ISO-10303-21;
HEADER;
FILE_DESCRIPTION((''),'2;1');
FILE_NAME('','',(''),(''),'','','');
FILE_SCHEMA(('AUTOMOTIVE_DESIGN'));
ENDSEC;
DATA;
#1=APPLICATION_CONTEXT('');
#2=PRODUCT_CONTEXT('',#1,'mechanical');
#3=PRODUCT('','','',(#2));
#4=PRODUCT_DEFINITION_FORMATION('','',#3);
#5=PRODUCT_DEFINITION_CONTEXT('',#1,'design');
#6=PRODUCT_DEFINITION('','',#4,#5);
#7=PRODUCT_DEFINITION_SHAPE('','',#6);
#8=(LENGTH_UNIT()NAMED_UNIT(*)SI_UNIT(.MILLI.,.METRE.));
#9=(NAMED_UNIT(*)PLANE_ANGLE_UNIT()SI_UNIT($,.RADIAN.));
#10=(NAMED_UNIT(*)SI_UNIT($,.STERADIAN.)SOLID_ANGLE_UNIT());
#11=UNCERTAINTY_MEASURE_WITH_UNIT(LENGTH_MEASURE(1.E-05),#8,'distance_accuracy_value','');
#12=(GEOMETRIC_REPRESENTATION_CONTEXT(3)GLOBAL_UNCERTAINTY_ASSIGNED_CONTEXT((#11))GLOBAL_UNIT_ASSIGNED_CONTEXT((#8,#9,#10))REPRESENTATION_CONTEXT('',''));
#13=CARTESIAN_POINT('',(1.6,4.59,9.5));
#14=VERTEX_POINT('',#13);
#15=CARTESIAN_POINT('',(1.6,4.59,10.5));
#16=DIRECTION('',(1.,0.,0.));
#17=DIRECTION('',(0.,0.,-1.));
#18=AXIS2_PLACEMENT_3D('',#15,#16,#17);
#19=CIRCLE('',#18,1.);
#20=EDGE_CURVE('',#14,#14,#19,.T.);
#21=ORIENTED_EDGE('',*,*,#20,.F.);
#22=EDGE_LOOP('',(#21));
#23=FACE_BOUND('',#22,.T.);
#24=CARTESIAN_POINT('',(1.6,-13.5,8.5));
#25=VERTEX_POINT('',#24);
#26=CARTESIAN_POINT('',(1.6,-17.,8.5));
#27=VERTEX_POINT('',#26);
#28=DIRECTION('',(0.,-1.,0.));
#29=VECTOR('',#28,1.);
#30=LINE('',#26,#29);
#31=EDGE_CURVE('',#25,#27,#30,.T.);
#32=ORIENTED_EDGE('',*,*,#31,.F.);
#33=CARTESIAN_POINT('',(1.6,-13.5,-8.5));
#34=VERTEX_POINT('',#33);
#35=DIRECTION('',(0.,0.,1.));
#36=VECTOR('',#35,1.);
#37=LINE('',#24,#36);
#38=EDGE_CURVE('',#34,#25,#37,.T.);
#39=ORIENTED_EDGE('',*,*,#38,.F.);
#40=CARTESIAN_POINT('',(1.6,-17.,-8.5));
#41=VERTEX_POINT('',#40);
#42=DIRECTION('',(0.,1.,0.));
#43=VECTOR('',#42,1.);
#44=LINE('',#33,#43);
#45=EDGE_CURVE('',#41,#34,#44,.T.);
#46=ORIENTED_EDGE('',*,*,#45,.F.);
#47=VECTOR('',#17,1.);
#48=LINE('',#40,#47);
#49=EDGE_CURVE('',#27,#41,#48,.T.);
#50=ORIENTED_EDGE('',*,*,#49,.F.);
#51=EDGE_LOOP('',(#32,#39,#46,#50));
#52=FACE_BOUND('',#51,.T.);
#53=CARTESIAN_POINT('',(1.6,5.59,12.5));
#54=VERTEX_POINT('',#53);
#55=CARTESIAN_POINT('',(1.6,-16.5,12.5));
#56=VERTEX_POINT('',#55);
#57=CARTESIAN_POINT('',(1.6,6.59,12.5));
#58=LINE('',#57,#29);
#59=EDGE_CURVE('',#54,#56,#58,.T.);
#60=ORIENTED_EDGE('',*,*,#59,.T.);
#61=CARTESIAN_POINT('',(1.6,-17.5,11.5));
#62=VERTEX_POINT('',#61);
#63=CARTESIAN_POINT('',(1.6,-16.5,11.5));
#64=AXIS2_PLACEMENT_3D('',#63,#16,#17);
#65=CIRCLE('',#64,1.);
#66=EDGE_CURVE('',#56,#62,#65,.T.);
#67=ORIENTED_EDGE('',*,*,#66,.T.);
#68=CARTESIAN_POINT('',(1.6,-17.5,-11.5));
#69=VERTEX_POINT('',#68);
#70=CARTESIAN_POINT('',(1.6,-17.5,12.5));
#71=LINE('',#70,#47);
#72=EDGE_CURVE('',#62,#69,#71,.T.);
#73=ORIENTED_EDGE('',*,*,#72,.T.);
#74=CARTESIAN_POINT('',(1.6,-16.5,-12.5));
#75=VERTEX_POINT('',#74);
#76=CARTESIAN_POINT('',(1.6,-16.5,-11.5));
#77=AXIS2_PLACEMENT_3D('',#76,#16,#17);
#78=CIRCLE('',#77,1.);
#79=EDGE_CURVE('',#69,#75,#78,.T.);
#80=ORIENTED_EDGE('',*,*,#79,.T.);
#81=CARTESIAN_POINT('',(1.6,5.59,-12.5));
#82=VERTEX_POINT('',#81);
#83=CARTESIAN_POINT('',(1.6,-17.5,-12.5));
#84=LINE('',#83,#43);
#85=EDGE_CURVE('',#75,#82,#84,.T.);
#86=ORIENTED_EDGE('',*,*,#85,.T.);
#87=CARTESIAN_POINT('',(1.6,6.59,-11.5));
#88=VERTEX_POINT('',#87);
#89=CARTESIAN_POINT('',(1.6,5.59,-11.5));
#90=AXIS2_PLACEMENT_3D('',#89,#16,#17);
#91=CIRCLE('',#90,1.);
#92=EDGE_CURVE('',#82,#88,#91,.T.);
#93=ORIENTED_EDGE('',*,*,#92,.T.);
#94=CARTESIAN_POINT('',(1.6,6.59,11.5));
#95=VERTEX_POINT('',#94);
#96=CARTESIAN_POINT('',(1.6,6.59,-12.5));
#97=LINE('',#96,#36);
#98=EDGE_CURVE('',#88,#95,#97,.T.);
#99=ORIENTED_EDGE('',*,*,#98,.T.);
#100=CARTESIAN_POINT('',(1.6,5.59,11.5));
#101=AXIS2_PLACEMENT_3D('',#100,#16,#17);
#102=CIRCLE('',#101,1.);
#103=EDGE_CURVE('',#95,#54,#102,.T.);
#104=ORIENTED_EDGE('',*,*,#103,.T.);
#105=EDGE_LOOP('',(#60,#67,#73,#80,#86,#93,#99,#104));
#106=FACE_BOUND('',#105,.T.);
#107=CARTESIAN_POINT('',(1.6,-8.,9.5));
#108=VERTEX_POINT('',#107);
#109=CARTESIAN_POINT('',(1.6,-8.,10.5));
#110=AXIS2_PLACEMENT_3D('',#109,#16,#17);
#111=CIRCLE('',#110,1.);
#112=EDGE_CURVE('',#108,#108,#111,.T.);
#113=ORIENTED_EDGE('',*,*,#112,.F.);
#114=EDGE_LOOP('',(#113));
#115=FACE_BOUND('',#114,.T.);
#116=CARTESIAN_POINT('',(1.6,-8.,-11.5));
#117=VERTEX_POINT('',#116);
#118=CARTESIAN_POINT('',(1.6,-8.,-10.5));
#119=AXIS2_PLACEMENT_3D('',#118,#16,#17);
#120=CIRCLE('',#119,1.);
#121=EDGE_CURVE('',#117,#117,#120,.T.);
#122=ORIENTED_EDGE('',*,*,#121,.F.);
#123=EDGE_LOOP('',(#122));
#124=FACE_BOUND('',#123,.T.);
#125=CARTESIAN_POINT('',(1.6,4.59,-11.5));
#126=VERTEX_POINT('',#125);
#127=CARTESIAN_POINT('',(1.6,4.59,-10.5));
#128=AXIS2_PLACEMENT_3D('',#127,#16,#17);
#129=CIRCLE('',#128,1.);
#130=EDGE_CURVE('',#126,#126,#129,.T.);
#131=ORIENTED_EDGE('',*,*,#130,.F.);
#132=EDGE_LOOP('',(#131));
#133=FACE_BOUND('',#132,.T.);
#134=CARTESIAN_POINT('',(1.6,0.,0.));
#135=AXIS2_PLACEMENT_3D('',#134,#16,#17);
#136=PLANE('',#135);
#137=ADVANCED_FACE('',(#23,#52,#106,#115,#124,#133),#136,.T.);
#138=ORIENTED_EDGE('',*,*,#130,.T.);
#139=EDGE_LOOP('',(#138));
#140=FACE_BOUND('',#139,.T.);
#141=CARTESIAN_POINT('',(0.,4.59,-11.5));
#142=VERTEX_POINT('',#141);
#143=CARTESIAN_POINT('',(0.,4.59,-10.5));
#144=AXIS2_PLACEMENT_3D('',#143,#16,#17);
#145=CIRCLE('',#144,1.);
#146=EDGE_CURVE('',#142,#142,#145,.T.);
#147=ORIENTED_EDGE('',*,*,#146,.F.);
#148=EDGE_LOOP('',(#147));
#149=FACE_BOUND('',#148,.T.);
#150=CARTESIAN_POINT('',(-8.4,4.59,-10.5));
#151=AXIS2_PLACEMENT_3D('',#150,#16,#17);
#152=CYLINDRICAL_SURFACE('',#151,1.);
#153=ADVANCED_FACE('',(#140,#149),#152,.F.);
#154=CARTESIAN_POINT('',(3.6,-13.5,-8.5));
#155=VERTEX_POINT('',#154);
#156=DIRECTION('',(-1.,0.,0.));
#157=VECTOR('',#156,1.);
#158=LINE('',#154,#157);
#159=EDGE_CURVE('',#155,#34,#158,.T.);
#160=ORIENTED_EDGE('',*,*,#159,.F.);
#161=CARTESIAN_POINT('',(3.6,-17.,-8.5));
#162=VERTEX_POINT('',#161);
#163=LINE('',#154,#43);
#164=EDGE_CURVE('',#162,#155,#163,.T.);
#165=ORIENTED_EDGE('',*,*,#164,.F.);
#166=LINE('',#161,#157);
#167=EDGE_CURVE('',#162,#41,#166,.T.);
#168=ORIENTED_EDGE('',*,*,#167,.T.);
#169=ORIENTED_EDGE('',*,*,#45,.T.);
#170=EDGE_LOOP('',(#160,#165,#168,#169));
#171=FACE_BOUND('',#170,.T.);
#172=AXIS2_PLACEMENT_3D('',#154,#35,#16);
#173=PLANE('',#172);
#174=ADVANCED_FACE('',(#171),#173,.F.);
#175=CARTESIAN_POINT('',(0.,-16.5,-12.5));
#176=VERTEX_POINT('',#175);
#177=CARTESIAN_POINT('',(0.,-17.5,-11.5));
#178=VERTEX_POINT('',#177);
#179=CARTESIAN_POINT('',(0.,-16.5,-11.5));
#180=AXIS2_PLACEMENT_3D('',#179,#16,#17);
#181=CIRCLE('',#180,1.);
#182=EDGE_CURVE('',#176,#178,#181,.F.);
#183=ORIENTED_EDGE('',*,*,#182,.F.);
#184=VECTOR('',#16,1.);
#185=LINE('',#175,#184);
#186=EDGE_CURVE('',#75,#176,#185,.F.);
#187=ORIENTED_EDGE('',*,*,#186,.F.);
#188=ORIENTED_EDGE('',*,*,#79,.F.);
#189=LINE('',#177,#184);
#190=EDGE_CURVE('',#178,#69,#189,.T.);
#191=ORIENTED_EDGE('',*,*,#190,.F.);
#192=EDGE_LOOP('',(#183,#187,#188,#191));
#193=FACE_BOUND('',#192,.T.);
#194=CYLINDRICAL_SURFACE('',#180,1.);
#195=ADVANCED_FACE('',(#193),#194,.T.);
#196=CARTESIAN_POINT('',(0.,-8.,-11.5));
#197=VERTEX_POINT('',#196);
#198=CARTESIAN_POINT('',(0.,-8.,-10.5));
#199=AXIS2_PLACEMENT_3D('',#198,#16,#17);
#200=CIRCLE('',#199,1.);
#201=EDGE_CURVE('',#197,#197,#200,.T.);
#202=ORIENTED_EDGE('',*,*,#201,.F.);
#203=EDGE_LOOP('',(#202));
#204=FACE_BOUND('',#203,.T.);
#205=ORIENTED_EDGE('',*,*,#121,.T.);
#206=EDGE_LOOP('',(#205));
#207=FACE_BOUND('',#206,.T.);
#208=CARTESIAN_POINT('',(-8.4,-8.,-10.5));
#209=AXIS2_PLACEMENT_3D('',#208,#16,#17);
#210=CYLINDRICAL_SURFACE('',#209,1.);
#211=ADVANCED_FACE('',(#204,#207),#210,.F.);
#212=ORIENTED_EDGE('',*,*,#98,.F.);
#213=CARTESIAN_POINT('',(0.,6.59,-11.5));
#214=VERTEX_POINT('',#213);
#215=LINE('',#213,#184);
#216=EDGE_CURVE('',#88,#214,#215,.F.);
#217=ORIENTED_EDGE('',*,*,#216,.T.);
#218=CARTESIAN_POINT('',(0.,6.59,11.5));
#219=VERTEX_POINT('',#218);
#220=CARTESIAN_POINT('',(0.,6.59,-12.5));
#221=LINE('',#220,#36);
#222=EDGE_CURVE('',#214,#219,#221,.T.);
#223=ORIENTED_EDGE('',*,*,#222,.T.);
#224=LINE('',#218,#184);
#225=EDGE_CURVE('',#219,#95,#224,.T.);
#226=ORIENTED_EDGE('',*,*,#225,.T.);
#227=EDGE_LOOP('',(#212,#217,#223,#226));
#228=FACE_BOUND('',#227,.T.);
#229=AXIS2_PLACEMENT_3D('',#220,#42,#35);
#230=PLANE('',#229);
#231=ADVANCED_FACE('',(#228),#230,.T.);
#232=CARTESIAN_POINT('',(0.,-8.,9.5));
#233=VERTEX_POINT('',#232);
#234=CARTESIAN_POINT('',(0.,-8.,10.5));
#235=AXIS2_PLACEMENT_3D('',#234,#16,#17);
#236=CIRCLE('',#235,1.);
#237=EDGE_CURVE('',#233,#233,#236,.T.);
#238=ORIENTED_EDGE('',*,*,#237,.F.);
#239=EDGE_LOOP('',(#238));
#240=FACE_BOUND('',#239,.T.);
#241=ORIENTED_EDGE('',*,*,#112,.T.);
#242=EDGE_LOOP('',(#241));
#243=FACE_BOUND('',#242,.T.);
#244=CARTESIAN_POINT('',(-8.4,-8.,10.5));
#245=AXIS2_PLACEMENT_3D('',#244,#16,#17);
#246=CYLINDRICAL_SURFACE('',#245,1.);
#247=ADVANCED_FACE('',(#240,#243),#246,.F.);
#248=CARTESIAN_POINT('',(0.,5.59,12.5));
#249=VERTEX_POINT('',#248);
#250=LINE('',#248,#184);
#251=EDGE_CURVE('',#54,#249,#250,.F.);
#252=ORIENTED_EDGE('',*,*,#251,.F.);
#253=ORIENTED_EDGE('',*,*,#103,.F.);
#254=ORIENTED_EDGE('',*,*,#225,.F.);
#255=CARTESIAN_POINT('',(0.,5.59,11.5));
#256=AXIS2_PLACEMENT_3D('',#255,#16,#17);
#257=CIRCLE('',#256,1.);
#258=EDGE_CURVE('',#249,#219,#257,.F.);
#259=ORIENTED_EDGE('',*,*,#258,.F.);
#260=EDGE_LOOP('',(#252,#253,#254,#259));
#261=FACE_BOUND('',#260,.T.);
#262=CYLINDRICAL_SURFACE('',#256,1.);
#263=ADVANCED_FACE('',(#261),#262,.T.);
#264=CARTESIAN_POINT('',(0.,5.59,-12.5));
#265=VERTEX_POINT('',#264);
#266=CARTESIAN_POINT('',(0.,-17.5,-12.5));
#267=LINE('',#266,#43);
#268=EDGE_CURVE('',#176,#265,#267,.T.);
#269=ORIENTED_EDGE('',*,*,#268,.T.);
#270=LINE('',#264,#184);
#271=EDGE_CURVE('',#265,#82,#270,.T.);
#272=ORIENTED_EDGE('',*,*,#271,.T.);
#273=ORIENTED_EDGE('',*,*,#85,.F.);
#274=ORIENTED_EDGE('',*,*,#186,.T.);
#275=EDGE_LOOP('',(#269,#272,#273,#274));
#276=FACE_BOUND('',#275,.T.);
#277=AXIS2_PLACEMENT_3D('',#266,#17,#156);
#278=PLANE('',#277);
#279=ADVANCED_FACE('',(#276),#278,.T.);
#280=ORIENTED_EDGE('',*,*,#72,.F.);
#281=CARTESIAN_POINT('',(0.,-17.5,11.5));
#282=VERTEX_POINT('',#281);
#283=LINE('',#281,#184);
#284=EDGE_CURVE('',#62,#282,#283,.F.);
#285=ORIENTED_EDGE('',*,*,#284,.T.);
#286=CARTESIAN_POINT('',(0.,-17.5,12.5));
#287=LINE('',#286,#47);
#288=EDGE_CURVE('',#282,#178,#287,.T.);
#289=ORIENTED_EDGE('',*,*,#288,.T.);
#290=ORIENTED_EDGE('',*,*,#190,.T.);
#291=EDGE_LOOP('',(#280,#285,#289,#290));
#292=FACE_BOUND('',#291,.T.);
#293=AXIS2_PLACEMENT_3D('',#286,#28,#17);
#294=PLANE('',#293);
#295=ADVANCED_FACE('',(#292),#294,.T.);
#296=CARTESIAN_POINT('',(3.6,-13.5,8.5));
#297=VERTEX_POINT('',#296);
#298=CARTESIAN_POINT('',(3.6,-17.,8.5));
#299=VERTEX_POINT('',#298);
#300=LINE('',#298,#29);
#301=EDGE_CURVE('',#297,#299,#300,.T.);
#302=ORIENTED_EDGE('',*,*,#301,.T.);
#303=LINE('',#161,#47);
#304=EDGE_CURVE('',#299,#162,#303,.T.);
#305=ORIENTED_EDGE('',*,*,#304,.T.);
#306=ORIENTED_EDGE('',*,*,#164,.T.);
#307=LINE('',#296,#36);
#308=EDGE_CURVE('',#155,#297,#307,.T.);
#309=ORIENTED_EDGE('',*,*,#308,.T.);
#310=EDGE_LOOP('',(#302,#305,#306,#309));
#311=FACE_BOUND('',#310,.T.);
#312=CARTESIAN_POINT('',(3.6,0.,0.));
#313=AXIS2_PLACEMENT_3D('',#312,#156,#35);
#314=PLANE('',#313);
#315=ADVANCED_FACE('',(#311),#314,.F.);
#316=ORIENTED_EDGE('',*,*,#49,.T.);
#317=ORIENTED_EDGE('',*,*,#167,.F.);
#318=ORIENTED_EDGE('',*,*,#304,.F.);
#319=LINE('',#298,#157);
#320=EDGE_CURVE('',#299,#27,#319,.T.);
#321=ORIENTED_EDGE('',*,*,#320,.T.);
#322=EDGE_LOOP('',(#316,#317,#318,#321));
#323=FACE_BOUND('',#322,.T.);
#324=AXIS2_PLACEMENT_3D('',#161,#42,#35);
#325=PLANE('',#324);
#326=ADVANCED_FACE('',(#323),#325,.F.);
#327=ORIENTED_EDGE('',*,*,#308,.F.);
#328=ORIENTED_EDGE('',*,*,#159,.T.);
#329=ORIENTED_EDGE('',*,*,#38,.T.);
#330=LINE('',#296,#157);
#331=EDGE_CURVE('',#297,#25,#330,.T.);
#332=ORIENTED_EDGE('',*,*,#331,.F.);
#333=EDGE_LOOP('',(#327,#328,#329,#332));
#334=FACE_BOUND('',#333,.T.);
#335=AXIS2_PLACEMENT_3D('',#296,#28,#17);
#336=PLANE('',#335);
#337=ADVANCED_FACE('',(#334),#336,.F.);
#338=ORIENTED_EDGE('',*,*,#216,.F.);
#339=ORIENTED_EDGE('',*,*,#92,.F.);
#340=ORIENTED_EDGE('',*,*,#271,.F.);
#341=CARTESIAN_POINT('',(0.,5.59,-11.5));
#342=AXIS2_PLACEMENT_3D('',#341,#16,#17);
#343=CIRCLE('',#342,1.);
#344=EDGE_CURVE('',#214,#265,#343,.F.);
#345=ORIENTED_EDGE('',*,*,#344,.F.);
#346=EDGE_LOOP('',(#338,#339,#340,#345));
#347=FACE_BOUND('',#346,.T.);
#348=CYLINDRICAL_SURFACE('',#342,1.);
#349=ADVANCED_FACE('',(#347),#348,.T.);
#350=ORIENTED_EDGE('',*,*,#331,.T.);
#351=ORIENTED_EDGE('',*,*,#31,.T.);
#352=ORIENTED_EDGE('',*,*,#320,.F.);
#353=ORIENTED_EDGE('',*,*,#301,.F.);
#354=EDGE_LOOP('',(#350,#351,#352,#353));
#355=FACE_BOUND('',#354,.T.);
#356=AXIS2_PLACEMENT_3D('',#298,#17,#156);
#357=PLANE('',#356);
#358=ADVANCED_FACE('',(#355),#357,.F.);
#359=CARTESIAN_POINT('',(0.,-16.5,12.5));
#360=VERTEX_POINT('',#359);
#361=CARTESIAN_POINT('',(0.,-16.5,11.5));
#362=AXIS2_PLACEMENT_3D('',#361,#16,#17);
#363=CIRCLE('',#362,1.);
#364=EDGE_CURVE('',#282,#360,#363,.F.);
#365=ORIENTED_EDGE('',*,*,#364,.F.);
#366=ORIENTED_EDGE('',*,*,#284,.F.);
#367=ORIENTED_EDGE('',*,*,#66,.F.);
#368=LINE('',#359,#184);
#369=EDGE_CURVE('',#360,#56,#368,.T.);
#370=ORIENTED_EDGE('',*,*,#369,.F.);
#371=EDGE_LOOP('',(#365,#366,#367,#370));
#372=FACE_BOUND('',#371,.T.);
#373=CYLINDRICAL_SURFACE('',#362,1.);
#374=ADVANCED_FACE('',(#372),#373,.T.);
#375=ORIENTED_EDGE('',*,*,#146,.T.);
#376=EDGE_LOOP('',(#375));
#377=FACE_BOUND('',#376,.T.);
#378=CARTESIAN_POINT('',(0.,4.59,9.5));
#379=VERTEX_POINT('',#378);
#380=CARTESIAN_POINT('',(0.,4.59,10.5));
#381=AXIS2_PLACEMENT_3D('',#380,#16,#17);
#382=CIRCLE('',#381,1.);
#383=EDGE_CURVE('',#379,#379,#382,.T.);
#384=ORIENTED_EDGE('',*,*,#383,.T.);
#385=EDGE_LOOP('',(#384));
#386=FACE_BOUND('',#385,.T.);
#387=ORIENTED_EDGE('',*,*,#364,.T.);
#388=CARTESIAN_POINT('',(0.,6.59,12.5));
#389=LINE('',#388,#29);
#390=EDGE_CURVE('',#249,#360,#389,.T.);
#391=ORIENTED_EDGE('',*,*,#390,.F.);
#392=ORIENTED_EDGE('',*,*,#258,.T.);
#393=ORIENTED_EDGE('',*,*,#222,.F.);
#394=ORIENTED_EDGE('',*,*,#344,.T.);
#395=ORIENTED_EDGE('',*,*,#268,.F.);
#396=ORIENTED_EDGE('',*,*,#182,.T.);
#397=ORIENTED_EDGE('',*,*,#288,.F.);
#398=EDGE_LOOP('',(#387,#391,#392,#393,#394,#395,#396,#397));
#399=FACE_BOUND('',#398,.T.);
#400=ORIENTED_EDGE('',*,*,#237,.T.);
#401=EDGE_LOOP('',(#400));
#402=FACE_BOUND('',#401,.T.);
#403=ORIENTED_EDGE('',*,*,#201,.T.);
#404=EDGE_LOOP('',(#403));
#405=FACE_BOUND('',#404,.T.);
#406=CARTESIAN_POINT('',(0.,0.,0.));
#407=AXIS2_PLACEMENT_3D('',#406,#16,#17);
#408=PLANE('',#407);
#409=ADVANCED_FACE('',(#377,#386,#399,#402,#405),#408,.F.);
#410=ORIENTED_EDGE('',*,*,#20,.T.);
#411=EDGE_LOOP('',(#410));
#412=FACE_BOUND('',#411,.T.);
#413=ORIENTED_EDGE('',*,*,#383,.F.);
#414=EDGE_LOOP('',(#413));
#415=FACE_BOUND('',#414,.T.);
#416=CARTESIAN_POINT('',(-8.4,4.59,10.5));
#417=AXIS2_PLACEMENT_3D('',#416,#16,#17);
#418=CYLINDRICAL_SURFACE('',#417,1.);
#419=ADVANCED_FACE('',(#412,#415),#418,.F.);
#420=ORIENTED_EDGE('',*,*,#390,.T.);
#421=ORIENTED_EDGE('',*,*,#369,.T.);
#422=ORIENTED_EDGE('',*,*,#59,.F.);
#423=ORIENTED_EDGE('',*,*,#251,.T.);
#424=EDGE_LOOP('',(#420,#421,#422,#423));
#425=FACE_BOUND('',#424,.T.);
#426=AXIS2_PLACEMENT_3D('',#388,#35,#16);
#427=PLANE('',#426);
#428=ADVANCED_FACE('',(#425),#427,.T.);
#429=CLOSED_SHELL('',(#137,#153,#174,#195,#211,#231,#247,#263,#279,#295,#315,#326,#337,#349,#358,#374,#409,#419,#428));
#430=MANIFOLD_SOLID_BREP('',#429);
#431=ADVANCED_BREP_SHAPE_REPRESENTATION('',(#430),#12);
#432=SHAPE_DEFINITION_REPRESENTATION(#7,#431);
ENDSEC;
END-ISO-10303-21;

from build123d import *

# Parameters (mm, degrees)
IZIM1_W                     = 25
IZIM1_H                     = 24.09
Y_KSEKLIK_EKSTR_ZYON1_DEPTH = 1.6
IZIM2_W                     = 17
IZIM2_H                     = 3.5
Y_KSEKLIK_EKSTR_ZYON2_DEPTH = 2
RADYUS1_R                   = 1
IZIM5_R                     = 1
KES_EKSTR_ZYON1_DEPTH       = 10


with BuildPart() as part:
    # Çizim1 → Yükseklik-Ekstrüzyon1 (new body)
    with BuildSketch(Plane(origin=(1.6, 0, 0), x_dir=(0, 0, -1), z_dir=(1, 0, 0))):
        with Locations((0, -5.455)):
            Rectangle(IZIM1_W, IZIM1_H)
    extrude(amount=-Y_KSEKLIK_EKSTR_ZYON1_DEPTH)

    # Çizim2 → Yükseklik-Ekstrüzyon2 (add)
    with BuildSketch(Plane(origin=(1.6, 0, 0), x_dir=(0, 0, -1), z_dir=(1, 0, 0))):
        with Locations((0, -15.25)):
            Rectangle(IZIM2_W, IZIM2_H)
    extrude(amount=Y_KSEKLIK_EKSTR_ZYON2_DEPTH)

    # Radyus1
    radyus1_edges = [part.edges().sort_by_distance(p)[0] for p in [
        (0.8, 6.59, -12.5),
        (0.8, -17.5, -12.5),
        (0.8, -17.5, 12.5),
        (0.8, 6.59, 12.5),
    ]]
    fillet(radyus1_edges, radius=RADYUS1_R)

    # Çizim5 → Kes-Ekstrüzyon1 (cut)
    with BuildSketch(Plane(origin=(1.6, 0, 0), x_dir=(0, 0, -1), z_dir=(1, 0, 0))):
        with Locations((10.5, 4.59)):
            Circle(IZIM5_R)
        with Locations((-10.5, 4.59)):
            Circle(IZIM5_R)
        with Locations((-10.5, -8)):
            Circle(IZIM5_R)
        with Locations((10.5, -8)):
            Circle(IZIM5_R)
    extrude(amount=-KES_EKSTR_ZYON1_DEPTH, mode=Mode.SUBTRACT)


solid = part.part
